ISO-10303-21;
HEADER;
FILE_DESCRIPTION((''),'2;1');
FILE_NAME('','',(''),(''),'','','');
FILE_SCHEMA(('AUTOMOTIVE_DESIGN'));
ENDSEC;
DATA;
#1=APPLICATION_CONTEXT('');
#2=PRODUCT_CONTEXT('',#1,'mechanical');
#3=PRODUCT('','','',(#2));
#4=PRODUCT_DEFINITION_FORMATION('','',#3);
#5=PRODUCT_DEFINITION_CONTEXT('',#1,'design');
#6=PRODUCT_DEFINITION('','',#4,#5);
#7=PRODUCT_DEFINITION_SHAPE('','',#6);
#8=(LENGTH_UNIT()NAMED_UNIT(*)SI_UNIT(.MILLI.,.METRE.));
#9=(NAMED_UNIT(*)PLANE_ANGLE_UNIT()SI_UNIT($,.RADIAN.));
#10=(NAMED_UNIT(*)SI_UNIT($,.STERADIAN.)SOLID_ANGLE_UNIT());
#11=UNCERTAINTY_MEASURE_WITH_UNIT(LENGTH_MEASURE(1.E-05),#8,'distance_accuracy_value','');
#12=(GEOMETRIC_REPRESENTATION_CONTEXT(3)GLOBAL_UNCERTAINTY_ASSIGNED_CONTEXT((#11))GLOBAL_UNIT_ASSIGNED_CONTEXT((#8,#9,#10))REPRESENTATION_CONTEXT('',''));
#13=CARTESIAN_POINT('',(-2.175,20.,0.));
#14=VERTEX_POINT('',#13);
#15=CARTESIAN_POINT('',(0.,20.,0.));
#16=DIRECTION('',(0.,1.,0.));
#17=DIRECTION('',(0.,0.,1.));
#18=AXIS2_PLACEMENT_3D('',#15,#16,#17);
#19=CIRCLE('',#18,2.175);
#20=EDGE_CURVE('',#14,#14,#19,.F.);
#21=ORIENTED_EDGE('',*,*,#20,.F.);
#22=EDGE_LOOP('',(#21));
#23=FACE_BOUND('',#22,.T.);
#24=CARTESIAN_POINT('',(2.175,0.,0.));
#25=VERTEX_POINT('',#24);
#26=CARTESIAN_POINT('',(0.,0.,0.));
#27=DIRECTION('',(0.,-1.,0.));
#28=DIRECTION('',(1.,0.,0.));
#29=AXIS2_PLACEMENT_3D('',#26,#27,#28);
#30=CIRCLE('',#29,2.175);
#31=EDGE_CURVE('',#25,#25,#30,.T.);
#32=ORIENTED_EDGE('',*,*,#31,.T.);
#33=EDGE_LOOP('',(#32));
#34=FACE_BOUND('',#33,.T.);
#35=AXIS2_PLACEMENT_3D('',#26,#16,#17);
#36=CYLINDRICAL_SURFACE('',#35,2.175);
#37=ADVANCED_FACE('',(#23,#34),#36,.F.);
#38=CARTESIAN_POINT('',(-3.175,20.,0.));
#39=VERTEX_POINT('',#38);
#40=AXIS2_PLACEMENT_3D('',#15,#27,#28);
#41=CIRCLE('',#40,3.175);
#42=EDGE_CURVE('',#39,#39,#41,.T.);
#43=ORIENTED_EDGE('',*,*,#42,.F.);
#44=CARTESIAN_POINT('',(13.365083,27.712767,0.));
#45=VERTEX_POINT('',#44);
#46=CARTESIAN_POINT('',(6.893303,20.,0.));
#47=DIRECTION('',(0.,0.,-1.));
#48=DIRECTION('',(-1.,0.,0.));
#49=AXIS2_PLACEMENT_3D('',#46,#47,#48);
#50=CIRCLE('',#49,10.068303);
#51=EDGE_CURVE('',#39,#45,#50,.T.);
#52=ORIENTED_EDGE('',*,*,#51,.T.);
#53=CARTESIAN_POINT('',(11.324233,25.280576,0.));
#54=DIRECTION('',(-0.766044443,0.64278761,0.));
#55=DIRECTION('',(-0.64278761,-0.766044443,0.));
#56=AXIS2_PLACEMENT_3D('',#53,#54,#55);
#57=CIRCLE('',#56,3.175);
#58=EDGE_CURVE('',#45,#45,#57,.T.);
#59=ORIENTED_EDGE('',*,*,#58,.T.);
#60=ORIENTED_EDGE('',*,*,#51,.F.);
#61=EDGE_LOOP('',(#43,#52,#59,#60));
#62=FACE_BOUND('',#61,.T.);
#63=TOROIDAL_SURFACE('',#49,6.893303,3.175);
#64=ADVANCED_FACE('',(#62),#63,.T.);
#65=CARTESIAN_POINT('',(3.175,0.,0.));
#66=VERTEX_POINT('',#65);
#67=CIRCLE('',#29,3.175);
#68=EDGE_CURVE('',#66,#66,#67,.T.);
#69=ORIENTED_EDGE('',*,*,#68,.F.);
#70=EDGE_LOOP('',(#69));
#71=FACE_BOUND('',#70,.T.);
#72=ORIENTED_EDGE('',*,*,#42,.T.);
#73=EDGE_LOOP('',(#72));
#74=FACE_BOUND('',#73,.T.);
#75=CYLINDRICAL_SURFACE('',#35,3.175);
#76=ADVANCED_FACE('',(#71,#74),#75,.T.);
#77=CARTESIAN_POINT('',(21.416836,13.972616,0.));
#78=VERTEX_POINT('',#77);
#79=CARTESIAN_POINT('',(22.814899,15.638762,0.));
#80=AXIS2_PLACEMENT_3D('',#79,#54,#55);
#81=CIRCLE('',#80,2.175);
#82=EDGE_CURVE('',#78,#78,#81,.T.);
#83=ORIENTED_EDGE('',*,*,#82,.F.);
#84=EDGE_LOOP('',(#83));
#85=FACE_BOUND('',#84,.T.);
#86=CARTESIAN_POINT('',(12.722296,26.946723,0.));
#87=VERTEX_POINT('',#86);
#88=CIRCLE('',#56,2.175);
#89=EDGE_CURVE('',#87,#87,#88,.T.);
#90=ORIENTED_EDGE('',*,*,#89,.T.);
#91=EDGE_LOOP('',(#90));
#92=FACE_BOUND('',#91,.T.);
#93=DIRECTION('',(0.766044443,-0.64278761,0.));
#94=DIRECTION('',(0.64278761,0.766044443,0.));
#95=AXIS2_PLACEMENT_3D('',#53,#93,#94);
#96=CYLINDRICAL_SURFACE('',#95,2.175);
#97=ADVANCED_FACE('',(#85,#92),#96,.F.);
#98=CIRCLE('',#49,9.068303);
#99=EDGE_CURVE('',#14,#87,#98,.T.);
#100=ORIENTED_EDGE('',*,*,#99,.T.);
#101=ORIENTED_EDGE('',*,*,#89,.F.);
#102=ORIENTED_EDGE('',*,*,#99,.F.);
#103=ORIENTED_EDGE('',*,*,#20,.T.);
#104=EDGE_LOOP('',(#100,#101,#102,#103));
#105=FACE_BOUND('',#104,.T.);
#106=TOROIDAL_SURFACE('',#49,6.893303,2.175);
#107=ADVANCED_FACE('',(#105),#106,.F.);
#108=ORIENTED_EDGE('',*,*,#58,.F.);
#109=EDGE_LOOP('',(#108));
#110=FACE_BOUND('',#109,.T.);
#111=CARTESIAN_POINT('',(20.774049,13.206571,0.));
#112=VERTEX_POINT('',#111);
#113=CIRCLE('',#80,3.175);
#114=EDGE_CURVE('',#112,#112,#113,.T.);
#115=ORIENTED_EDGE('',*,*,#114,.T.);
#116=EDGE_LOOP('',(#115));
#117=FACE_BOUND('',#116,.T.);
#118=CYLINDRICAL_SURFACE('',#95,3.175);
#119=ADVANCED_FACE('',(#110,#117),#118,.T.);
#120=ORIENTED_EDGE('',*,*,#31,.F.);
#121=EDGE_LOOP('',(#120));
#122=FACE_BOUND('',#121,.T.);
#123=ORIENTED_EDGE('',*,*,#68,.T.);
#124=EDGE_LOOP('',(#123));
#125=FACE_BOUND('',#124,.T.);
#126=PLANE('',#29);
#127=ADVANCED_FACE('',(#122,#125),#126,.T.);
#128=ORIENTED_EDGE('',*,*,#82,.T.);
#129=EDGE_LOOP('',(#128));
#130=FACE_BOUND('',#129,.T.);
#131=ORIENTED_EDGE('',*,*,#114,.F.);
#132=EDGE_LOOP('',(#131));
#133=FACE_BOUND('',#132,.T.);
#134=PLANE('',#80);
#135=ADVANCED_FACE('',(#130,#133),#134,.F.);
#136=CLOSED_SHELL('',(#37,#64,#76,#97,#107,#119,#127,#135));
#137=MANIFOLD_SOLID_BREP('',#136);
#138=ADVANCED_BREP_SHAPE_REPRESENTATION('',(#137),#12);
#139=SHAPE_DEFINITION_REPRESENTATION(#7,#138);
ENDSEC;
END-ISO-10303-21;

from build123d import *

# Parameters (mm, degrees)
SWEEP_SOTTILE1_PROFILE_R   = 3.175
SWEEP_SOTTILE1_PROFILE_R_2 = 2.175


with BuildPart() as part:
    # Sweep-Sottile1: sweep along a path in Schizzo1
    with BuildLine(Plane.XY) as sweep_sottile1_path:
        Line((0, 0), (0, 20))
        ThreePointArc((0, 20), (3.980067207, 26.247454091), (11.324232584, 25.280576377))
        Line((11.324232584, 25.280576377), (22.81489923, 15.638762231))
    # Sweep-Sottile1 profile (on start of the path) → Sweep-Sottile1 (sweep)
    with BuildSketch(Plane.ZX):
        Circle(SWEEP_SOTTILE1_PROFILE_R)
        Circle(SWEEP_SOTTILE1_PROFILE_R_2, mode=Mode.SUBTRACT)
    sweep(path=sweep_sottile1_path.line)


solid = part.part
